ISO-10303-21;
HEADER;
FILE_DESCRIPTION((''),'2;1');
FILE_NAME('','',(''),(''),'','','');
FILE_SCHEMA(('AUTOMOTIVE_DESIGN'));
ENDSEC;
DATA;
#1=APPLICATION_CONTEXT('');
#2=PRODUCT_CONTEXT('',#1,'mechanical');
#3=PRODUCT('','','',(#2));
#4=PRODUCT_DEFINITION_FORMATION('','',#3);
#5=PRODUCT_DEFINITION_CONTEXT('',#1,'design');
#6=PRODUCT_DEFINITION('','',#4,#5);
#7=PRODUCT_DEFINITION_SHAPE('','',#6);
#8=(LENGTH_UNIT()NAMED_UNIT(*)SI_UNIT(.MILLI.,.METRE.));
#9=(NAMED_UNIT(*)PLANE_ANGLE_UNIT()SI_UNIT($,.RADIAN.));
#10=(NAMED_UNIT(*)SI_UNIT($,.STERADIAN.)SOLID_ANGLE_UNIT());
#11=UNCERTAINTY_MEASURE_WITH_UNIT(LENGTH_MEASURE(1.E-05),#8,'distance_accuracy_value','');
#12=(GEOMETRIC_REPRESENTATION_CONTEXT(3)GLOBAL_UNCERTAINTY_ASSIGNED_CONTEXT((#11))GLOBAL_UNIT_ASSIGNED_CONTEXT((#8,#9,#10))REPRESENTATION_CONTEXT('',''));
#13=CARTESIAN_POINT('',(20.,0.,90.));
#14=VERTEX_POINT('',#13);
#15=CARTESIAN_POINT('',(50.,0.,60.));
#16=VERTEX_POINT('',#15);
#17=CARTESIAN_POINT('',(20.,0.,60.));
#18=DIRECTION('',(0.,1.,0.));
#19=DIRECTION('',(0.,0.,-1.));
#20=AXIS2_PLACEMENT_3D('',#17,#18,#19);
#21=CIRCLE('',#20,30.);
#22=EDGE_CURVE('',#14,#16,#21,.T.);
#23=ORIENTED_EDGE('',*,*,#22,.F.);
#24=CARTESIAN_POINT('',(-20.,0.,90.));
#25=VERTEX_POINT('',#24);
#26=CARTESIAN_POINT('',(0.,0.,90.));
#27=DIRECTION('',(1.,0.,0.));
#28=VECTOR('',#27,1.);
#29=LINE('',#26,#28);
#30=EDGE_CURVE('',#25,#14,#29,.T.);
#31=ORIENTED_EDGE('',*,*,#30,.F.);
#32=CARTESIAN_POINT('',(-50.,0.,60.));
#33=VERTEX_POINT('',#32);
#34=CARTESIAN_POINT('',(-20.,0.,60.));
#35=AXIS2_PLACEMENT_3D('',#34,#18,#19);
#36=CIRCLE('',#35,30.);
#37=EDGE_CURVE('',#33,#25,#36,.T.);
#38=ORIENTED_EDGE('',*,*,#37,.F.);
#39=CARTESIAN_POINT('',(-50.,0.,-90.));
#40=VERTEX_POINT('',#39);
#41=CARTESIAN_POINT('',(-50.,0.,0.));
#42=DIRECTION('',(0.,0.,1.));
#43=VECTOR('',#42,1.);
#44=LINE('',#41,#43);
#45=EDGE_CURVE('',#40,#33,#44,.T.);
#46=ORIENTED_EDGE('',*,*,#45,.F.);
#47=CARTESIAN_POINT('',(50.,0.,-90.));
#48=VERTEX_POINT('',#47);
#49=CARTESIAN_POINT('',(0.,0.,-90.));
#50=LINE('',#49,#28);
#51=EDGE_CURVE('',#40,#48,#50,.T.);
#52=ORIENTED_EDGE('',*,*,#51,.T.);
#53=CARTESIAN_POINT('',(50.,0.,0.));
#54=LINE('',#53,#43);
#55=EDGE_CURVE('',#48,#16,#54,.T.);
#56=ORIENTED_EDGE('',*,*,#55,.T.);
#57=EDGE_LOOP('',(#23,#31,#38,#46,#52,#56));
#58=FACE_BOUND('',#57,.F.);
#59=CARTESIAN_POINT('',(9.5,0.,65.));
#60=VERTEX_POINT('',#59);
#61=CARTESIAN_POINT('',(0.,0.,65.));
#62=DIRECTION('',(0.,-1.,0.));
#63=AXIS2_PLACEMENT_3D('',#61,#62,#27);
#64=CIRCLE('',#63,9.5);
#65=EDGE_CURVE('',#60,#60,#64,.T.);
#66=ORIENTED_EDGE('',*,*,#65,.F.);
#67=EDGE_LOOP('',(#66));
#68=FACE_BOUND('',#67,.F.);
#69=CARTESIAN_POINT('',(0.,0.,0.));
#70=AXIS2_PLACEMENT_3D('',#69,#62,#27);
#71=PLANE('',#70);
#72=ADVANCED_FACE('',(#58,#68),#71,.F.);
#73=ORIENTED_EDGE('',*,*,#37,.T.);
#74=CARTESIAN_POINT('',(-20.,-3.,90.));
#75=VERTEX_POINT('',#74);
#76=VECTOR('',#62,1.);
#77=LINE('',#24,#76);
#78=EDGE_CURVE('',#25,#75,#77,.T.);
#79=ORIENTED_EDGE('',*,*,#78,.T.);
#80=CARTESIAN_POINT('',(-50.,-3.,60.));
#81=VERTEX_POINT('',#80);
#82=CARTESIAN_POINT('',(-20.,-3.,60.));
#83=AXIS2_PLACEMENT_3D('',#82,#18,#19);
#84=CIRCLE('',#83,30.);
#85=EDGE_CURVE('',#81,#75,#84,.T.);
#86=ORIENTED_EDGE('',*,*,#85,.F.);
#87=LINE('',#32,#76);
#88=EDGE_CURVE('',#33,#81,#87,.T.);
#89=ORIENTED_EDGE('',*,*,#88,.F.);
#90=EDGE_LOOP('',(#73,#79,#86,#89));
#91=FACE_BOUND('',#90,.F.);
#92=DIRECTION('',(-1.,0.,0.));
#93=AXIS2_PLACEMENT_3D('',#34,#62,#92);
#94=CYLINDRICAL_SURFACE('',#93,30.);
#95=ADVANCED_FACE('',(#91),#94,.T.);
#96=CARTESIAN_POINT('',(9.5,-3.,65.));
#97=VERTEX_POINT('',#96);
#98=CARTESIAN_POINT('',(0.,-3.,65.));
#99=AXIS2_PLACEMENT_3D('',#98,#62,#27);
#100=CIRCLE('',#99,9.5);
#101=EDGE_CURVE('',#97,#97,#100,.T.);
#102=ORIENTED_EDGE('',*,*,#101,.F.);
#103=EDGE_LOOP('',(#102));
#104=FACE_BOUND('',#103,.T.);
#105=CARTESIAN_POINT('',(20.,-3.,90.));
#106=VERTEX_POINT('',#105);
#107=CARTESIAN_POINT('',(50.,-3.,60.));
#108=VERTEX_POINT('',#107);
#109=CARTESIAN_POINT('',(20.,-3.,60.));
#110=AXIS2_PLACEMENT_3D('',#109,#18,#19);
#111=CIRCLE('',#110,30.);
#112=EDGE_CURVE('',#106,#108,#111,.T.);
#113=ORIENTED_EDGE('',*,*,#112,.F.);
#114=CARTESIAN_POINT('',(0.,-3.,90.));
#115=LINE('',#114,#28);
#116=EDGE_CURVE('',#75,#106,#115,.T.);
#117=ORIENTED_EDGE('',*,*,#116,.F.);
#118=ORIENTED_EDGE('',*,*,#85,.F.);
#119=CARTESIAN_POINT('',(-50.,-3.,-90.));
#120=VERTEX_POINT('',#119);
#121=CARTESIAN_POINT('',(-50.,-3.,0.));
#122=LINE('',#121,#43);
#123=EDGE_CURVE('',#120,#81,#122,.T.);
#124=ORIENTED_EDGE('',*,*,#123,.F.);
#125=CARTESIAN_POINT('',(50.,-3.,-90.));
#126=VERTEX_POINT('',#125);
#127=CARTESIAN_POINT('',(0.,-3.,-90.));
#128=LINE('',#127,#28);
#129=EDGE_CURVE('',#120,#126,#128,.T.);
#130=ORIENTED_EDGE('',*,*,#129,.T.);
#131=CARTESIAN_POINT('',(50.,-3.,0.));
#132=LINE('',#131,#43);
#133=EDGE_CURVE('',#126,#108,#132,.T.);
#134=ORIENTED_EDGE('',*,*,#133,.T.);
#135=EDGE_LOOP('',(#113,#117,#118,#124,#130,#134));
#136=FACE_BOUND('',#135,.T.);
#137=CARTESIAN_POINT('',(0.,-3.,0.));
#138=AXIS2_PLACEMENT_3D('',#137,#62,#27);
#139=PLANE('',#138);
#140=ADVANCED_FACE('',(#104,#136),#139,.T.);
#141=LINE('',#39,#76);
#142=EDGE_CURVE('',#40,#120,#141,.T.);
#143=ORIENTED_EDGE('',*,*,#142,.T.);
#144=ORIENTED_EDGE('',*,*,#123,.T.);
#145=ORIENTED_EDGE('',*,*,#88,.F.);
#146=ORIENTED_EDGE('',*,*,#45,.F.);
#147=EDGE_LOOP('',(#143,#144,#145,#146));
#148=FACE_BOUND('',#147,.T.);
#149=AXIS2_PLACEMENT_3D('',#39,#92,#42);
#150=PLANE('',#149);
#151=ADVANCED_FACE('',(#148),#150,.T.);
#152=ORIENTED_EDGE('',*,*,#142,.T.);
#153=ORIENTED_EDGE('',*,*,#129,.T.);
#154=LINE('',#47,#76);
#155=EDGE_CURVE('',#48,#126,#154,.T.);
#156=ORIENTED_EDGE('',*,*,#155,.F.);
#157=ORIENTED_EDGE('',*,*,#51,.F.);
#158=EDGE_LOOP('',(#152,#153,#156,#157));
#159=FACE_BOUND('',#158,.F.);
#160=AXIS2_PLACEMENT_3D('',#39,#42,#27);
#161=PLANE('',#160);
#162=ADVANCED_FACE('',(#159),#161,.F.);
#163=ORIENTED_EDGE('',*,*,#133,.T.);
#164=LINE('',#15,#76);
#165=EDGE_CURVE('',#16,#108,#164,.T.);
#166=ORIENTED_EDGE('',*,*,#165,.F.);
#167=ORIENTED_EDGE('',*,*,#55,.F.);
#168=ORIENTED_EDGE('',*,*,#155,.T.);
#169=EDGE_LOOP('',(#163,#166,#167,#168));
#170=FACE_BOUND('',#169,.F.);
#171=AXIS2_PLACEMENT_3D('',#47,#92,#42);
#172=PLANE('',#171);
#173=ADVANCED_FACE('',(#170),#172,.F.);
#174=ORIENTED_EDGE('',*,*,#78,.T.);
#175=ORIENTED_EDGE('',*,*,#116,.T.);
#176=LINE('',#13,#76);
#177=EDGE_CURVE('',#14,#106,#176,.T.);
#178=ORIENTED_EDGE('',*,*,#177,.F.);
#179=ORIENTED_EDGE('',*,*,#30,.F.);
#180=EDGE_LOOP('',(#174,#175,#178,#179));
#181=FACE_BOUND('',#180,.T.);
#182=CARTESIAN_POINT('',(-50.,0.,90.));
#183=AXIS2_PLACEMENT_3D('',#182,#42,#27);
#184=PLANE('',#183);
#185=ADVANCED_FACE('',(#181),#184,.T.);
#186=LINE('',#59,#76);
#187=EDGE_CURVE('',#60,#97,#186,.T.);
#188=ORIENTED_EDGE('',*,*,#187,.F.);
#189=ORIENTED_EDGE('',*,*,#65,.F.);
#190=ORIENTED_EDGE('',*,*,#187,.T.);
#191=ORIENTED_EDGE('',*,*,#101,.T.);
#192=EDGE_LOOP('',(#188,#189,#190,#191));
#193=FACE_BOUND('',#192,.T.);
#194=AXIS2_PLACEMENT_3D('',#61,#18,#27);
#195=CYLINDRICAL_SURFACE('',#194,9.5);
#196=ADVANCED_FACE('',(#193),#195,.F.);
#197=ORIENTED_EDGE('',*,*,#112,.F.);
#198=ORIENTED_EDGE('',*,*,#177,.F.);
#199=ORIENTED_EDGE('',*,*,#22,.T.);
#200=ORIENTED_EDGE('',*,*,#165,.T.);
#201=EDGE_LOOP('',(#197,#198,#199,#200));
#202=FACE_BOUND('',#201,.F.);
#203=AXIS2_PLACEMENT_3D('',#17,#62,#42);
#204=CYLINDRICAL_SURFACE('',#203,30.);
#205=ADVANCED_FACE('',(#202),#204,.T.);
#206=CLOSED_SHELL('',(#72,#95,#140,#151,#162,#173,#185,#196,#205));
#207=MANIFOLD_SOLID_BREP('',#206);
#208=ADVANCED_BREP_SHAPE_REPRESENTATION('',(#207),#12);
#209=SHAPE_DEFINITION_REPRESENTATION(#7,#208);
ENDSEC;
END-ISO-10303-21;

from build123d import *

# Parameters (mm, degrees)
F0_W     = 100
F0_H     = 180
F0_R     = 9.5
F1_DEPTH = 3
F2_R     = 30


with BuildPart() as f1:
    # F0 (on Front) → F1 (new body)
    with BuildSketch(Plane.XZ):
        Rectangle(F0_W, F0_H)
        with Locations((0, 65)):
            Circle(F0_R, mode=Mode.SUBTRACT)
    extrude(amount=F1_DEPTH)

    # F2
    f2_edges = [f1.edges().sort_by_distance(p)[0] for p in [
        (-50, -1.5, 90),
        (50, -1.5, 90),
    ]]
    fillet(f2_edges, radius=F2_R)


solid = f1.part
